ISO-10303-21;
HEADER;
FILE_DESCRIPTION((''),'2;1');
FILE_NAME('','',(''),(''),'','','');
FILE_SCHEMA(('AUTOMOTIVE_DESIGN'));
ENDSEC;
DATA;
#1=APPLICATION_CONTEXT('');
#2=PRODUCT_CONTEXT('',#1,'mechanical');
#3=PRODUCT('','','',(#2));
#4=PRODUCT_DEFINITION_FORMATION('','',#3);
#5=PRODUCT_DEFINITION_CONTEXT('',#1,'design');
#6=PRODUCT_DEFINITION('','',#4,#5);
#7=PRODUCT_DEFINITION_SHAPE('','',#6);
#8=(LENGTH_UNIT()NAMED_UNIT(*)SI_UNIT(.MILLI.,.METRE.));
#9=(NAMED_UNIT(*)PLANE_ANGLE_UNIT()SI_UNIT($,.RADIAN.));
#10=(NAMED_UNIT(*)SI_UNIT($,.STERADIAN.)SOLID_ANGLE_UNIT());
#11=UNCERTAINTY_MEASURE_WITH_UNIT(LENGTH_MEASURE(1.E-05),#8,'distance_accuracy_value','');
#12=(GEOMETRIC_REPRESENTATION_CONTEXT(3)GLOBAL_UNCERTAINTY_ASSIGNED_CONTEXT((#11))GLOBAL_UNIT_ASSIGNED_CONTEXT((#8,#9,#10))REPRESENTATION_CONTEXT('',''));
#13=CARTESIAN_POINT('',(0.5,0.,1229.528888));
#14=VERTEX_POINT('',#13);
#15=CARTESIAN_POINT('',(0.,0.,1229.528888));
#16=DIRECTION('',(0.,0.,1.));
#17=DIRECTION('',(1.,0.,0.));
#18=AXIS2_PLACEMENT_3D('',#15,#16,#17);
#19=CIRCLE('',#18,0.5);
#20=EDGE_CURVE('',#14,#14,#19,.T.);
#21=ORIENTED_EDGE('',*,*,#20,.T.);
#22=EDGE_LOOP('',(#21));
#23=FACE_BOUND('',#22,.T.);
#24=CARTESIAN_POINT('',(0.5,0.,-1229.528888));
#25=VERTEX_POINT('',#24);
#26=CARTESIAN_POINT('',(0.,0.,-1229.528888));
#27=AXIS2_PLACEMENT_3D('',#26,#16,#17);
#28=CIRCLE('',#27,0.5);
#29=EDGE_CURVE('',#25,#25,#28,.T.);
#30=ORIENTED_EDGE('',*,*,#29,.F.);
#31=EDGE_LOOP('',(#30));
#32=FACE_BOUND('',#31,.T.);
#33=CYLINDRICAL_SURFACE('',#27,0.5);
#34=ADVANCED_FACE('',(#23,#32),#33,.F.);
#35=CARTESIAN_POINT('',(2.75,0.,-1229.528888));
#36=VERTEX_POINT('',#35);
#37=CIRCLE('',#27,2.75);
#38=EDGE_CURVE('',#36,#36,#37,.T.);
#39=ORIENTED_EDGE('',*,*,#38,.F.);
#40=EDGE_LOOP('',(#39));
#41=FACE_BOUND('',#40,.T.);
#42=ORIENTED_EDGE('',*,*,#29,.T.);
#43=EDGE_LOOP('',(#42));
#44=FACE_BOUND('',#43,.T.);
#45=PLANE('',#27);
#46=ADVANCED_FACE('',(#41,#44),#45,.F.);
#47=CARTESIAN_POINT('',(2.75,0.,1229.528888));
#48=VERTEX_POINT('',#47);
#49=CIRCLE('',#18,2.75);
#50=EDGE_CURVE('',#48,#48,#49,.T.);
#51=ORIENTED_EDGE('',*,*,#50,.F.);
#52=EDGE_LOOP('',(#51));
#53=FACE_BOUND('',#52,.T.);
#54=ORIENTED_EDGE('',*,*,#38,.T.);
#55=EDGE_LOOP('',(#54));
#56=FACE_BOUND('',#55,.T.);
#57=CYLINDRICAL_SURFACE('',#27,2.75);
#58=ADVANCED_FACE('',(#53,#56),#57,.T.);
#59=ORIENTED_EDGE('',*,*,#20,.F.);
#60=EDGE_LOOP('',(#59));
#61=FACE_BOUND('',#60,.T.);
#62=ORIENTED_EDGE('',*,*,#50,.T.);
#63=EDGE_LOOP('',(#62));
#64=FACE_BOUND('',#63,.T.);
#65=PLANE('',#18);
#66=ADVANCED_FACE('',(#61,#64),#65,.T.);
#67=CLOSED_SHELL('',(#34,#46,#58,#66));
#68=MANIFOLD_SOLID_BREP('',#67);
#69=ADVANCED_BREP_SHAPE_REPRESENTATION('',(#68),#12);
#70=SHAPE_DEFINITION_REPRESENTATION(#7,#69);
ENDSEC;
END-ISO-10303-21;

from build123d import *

# Parameters (mm, degrees)
SKETCH2_R                = 2.75
SKETCH2_R_2              = 0.5
BOSS_EXTRUDE1_DEPTH      = 1229.528888
BOSS_EXTRUDE1_DEPTH_BACK = 1229.528888


with BuildPart() as part:
    # Sketch2 → Boss-Extrude1 (new body, two sides)
    with BuildSketch(Plane.XY) as boss_extrude1_sk:
        Circle(SKETCH2_R)
        Circle(SKETCH2_R_2, mode=Mode.SUBTRACT)
    extrude(amount=BOSS_EXTRUDE1_DEPTH)
    extrude(boss_extrude1_sk.sketch, amount=-BOSS_EXTRUDE1_DEPTH_BACK)


solid = part.part
